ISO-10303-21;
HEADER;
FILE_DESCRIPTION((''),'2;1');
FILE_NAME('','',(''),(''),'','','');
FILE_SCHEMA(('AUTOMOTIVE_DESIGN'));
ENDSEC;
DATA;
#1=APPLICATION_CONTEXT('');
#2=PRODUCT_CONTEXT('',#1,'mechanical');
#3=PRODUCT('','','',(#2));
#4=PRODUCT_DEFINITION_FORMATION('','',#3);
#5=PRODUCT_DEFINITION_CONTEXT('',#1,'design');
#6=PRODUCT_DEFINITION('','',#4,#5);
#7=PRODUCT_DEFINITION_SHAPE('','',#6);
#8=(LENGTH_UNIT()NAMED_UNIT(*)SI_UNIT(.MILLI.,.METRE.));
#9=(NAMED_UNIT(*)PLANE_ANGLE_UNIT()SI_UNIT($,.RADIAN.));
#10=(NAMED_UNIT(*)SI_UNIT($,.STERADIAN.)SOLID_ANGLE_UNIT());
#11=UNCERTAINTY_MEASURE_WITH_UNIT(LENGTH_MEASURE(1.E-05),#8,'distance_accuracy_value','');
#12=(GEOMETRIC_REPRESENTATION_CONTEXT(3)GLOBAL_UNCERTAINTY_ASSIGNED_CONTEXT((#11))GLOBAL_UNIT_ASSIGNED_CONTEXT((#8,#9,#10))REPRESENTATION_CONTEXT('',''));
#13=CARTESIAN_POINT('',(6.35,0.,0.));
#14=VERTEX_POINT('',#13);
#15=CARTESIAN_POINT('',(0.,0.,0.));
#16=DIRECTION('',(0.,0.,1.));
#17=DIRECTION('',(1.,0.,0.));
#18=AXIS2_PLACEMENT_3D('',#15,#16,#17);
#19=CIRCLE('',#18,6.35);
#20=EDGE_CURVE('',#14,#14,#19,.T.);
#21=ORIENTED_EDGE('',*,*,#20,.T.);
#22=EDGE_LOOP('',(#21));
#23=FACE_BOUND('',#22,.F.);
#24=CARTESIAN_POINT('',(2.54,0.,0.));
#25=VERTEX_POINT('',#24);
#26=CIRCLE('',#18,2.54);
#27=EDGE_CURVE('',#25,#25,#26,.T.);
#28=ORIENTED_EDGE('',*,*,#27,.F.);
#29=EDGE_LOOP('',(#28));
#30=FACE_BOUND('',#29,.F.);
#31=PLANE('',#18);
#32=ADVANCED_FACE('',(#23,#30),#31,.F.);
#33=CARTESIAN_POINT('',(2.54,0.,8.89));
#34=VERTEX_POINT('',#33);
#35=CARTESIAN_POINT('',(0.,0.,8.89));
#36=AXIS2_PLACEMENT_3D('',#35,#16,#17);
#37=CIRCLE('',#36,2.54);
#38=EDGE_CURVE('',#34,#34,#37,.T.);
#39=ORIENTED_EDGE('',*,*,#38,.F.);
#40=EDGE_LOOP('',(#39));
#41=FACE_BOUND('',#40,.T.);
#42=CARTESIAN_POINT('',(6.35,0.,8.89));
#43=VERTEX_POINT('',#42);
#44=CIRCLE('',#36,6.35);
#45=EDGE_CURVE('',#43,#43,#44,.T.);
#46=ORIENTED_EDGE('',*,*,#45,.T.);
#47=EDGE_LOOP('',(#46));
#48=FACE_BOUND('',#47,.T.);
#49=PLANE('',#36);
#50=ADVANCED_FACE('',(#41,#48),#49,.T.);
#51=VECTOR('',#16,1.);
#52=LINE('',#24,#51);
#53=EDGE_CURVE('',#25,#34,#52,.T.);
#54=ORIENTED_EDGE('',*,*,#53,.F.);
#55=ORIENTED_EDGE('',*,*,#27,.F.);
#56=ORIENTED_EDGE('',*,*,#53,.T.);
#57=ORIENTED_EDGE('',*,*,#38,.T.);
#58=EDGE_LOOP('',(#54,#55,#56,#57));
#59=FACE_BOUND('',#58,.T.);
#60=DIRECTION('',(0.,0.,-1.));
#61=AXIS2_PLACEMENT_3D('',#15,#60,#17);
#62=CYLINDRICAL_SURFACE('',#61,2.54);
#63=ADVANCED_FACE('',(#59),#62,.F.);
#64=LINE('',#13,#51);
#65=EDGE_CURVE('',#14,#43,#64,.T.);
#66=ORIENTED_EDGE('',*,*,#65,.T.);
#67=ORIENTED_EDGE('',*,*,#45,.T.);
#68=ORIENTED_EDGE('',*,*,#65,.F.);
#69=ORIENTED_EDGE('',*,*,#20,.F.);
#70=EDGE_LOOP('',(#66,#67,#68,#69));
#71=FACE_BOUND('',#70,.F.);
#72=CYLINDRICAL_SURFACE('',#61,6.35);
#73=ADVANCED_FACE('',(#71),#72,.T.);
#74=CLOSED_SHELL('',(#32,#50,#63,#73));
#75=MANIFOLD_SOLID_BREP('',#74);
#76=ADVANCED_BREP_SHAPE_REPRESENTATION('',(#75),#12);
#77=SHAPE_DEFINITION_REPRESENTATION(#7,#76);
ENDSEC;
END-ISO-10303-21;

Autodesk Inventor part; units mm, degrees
ref_plane "YZ Plane" through (0, 0, 0) normal (1, 0, 0) x (0, 1, 0)
ref_plane "XZ Plane" through (0, 0, 0) normal (0, 1, 0) x (-1, 0, 0)
ref_plane "XY Plane" through (0, 0, 0) normal (0, 0, 1) x (1, 0, 0)
sketch "Sketch1" plane through (0, 0, 0) normal (0, 0, 1) x (1, 0, 0)
  circle A0 centre (0, 0) radius 2.54
  circle A1 centre (0, 0) radius 6.35
  dimension "d0" = 5.08
  dimension "d1" = 12.7
extrude "Extrusion1" add sketch "Sketch1" along normal blind 8.89
properties part number "CH-1-04-BogieSpacer"
